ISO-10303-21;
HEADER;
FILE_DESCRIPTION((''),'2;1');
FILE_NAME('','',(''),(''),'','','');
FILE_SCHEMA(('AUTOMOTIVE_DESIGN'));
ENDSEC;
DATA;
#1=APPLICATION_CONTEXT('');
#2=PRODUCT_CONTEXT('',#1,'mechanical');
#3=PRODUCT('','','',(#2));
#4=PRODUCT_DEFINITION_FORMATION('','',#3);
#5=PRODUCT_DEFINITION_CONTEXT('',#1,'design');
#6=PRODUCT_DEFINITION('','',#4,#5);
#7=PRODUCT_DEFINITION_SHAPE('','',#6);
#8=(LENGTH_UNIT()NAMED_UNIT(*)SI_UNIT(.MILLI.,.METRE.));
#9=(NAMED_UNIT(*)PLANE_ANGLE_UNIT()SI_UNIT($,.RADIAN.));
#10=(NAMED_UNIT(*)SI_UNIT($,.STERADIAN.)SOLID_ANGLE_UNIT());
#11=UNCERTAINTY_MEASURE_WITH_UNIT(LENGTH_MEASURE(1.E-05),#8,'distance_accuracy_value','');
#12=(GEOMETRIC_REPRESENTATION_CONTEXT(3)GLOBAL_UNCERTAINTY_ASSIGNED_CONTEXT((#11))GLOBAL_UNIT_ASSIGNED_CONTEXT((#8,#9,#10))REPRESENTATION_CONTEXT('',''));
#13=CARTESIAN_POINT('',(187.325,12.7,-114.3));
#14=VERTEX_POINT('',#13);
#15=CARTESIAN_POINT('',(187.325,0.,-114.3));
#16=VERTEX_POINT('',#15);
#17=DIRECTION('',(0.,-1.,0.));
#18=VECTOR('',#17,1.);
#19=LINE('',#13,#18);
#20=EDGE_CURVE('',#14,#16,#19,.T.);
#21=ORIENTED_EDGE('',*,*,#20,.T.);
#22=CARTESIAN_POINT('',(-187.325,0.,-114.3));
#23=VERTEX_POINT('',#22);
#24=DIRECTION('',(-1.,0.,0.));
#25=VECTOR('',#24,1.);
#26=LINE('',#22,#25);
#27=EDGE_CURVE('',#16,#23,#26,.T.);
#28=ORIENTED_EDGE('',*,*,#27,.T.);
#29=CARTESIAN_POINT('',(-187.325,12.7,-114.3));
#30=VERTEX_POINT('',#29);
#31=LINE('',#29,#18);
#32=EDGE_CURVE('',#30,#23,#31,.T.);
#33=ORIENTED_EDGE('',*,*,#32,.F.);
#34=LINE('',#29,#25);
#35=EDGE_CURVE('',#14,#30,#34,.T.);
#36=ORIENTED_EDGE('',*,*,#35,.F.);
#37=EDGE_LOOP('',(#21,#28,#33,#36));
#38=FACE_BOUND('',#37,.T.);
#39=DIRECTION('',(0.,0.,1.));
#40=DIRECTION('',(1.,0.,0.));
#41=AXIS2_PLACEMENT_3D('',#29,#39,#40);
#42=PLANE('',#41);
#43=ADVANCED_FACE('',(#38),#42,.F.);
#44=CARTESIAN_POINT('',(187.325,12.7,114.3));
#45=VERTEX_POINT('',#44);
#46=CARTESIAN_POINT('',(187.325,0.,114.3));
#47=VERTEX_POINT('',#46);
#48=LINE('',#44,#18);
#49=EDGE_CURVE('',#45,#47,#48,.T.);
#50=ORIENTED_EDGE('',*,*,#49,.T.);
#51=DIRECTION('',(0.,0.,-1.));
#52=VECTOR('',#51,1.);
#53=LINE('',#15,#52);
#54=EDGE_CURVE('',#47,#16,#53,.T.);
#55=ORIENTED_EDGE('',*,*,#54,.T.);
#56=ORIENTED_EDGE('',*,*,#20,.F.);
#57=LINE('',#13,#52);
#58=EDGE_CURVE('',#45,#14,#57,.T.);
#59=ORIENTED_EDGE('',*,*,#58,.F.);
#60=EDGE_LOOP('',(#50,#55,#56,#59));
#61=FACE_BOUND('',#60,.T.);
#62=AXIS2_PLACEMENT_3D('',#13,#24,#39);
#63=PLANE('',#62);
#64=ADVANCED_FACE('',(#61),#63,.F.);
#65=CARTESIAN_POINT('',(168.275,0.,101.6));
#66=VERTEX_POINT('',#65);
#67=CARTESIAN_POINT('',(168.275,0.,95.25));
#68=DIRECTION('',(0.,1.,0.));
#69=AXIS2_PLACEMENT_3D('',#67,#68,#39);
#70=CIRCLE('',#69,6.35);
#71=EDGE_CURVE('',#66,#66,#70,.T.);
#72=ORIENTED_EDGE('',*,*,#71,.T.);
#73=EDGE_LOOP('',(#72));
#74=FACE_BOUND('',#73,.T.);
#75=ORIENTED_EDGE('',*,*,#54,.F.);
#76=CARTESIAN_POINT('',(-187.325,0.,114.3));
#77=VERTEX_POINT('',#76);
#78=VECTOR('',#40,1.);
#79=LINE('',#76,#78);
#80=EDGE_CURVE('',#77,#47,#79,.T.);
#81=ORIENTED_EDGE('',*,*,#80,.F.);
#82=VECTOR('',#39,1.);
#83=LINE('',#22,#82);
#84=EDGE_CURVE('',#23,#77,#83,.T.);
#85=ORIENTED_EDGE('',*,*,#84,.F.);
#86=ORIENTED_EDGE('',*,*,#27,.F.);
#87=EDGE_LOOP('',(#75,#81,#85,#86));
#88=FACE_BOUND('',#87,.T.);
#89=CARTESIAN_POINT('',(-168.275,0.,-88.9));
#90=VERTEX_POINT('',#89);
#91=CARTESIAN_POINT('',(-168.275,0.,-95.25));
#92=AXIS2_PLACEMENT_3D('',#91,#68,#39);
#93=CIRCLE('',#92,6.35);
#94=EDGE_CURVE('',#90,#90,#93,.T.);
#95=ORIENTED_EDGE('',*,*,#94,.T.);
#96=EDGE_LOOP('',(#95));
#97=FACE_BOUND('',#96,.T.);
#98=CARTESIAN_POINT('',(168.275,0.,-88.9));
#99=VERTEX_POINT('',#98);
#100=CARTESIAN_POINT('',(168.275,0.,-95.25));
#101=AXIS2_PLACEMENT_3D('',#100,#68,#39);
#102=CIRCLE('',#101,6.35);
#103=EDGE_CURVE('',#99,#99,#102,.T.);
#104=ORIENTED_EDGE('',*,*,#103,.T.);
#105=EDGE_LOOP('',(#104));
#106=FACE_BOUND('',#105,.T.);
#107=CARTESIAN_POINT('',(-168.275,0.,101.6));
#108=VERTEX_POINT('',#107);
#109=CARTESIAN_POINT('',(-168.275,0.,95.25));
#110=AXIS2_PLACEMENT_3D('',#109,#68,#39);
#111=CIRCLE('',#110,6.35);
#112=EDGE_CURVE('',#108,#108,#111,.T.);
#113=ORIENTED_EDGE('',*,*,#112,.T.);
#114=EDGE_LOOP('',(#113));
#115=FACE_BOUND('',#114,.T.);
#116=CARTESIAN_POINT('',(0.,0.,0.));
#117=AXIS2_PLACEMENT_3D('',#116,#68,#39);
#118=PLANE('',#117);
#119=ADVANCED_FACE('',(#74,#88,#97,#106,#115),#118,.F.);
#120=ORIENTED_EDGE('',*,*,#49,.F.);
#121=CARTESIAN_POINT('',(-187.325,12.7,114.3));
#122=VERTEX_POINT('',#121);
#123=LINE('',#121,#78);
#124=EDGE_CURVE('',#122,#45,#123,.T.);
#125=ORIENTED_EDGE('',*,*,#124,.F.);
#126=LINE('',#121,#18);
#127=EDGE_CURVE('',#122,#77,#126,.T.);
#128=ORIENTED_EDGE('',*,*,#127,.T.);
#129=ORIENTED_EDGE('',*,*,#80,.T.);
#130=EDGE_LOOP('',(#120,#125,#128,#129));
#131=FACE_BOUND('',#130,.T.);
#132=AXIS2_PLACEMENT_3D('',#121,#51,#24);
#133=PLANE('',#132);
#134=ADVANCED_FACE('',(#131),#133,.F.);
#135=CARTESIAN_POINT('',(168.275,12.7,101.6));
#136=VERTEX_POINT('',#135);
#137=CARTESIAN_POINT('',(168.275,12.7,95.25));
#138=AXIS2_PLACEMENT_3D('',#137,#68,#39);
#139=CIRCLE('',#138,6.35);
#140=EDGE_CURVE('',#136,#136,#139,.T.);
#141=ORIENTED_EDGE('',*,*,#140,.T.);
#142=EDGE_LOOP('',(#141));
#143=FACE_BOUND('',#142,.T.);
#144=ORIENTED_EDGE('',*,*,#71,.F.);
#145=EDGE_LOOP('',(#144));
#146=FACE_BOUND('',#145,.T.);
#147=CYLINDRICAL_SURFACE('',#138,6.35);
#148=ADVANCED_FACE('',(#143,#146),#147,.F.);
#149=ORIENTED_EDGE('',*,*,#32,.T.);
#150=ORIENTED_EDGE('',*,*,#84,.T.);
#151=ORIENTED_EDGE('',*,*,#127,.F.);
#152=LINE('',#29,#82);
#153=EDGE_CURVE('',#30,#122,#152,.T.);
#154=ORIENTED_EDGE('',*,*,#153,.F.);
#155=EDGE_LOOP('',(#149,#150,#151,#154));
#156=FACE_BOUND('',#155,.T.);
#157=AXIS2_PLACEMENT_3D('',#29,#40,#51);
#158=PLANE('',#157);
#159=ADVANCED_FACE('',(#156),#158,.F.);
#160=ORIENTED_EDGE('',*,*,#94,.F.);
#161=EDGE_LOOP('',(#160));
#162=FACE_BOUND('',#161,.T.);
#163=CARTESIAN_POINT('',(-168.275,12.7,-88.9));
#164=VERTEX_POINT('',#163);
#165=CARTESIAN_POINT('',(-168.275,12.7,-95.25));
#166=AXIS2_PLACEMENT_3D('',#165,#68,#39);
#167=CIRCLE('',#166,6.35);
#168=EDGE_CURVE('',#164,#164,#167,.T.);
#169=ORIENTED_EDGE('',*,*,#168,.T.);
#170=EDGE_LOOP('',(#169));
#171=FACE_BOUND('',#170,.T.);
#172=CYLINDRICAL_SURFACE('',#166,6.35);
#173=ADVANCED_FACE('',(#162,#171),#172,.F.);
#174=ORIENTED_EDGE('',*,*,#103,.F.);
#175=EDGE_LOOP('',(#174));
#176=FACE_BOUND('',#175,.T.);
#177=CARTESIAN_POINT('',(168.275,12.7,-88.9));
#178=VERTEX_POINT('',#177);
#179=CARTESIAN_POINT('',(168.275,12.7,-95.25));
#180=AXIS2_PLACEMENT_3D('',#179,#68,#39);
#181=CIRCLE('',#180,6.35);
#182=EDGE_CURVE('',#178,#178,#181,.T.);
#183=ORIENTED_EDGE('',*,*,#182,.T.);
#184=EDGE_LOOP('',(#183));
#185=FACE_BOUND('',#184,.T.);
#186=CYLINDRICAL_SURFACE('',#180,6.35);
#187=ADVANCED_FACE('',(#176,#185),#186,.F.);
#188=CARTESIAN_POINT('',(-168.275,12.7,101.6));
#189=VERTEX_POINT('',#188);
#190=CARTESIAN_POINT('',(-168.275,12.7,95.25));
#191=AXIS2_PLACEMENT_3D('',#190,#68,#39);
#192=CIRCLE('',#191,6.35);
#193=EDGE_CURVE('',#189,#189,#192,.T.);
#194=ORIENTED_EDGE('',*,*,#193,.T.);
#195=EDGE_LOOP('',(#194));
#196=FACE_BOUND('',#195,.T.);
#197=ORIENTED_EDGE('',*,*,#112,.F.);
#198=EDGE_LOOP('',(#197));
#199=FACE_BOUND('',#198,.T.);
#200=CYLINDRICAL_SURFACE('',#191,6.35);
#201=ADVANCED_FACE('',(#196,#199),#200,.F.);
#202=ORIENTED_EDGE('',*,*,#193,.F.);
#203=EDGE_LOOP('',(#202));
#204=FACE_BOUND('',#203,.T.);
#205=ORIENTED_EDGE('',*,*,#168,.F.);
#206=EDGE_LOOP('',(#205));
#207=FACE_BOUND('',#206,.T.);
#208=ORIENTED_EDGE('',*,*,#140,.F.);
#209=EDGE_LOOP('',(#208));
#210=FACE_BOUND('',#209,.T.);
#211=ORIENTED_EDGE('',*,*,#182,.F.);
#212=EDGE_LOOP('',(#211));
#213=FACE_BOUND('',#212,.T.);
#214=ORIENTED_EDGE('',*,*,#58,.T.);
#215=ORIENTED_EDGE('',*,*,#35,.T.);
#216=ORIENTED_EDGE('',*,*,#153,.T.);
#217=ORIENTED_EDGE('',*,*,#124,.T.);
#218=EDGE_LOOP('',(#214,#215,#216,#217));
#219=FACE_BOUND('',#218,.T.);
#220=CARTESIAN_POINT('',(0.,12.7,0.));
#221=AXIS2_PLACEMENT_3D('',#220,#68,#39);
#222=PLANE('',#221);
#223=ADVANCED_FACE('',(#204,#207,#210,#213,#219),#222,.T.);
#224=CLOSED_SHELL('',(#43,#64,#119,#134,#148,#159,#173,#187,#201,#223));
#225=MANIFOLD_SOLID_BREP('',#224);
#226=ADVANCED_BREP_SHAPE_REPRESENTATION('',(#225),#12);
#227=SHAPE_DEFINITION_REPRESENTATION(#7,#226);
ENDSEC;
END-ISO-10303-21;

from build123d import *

# Parameters (mm, degrees)
SKETCH1_W                      = 374.65
SKETCH1_H                      = 228.6
BOSS_EXTRUDE1_DEPTH            = 12.7
F_1_2_0_5000_DOWEL_HOLE1_D     = 12.7
F_1_2_0_5000_DOWEL_HOLE1_DEPTH = 12.7
F_1_2_0_5000_DOWEL_HOLE1_TIP   = 3.815464931


with BuildPart() as part:
    # Sketch1 → Boss-Extrude1 (new body)
    with BuildSketch(Plane(origin=(0, 0, 0), x_dir=(1, 0, 0), z_dir=(0, 1, 0))):
        Rectangle(SKETCH1_W, SKETCH1_H)
    extrude(amount=BOSS_EXTRUDE1_DEPTH)

    # 1/2 (0.5000) Dowel Hole1
    with Locations(Plane(origin=(0, 12.7, 0), x_dir=(1, 0, 0), z_dir=(0, 1, 0))):
        with Locations((-168.275, 95.25), (-168.275, -95.25), (168.275, -95.25), (168.275, 95.25)):
            Hole(F_1_2_0_5000_DOWEL_HOLE1_D / 2, depth=F_1_2_0_5000_DOWEL_HOLE1_DEPTH)
            with Locations((0, 0, -(F_1_2_0_5000_DOWEL_HOLE1_DEPTH + F_1_2_0_5000_DOWEL_HOLE1_TIP / 2))):  # 118° drill point
                Cone(0, F_1_2_0_5000_DOWEL_HOLE1_D / 2, F_1_2_0_5000_DOWEL_HOLE1_TIP, mode=Mode.SUBTRACT)


solid = part.part
